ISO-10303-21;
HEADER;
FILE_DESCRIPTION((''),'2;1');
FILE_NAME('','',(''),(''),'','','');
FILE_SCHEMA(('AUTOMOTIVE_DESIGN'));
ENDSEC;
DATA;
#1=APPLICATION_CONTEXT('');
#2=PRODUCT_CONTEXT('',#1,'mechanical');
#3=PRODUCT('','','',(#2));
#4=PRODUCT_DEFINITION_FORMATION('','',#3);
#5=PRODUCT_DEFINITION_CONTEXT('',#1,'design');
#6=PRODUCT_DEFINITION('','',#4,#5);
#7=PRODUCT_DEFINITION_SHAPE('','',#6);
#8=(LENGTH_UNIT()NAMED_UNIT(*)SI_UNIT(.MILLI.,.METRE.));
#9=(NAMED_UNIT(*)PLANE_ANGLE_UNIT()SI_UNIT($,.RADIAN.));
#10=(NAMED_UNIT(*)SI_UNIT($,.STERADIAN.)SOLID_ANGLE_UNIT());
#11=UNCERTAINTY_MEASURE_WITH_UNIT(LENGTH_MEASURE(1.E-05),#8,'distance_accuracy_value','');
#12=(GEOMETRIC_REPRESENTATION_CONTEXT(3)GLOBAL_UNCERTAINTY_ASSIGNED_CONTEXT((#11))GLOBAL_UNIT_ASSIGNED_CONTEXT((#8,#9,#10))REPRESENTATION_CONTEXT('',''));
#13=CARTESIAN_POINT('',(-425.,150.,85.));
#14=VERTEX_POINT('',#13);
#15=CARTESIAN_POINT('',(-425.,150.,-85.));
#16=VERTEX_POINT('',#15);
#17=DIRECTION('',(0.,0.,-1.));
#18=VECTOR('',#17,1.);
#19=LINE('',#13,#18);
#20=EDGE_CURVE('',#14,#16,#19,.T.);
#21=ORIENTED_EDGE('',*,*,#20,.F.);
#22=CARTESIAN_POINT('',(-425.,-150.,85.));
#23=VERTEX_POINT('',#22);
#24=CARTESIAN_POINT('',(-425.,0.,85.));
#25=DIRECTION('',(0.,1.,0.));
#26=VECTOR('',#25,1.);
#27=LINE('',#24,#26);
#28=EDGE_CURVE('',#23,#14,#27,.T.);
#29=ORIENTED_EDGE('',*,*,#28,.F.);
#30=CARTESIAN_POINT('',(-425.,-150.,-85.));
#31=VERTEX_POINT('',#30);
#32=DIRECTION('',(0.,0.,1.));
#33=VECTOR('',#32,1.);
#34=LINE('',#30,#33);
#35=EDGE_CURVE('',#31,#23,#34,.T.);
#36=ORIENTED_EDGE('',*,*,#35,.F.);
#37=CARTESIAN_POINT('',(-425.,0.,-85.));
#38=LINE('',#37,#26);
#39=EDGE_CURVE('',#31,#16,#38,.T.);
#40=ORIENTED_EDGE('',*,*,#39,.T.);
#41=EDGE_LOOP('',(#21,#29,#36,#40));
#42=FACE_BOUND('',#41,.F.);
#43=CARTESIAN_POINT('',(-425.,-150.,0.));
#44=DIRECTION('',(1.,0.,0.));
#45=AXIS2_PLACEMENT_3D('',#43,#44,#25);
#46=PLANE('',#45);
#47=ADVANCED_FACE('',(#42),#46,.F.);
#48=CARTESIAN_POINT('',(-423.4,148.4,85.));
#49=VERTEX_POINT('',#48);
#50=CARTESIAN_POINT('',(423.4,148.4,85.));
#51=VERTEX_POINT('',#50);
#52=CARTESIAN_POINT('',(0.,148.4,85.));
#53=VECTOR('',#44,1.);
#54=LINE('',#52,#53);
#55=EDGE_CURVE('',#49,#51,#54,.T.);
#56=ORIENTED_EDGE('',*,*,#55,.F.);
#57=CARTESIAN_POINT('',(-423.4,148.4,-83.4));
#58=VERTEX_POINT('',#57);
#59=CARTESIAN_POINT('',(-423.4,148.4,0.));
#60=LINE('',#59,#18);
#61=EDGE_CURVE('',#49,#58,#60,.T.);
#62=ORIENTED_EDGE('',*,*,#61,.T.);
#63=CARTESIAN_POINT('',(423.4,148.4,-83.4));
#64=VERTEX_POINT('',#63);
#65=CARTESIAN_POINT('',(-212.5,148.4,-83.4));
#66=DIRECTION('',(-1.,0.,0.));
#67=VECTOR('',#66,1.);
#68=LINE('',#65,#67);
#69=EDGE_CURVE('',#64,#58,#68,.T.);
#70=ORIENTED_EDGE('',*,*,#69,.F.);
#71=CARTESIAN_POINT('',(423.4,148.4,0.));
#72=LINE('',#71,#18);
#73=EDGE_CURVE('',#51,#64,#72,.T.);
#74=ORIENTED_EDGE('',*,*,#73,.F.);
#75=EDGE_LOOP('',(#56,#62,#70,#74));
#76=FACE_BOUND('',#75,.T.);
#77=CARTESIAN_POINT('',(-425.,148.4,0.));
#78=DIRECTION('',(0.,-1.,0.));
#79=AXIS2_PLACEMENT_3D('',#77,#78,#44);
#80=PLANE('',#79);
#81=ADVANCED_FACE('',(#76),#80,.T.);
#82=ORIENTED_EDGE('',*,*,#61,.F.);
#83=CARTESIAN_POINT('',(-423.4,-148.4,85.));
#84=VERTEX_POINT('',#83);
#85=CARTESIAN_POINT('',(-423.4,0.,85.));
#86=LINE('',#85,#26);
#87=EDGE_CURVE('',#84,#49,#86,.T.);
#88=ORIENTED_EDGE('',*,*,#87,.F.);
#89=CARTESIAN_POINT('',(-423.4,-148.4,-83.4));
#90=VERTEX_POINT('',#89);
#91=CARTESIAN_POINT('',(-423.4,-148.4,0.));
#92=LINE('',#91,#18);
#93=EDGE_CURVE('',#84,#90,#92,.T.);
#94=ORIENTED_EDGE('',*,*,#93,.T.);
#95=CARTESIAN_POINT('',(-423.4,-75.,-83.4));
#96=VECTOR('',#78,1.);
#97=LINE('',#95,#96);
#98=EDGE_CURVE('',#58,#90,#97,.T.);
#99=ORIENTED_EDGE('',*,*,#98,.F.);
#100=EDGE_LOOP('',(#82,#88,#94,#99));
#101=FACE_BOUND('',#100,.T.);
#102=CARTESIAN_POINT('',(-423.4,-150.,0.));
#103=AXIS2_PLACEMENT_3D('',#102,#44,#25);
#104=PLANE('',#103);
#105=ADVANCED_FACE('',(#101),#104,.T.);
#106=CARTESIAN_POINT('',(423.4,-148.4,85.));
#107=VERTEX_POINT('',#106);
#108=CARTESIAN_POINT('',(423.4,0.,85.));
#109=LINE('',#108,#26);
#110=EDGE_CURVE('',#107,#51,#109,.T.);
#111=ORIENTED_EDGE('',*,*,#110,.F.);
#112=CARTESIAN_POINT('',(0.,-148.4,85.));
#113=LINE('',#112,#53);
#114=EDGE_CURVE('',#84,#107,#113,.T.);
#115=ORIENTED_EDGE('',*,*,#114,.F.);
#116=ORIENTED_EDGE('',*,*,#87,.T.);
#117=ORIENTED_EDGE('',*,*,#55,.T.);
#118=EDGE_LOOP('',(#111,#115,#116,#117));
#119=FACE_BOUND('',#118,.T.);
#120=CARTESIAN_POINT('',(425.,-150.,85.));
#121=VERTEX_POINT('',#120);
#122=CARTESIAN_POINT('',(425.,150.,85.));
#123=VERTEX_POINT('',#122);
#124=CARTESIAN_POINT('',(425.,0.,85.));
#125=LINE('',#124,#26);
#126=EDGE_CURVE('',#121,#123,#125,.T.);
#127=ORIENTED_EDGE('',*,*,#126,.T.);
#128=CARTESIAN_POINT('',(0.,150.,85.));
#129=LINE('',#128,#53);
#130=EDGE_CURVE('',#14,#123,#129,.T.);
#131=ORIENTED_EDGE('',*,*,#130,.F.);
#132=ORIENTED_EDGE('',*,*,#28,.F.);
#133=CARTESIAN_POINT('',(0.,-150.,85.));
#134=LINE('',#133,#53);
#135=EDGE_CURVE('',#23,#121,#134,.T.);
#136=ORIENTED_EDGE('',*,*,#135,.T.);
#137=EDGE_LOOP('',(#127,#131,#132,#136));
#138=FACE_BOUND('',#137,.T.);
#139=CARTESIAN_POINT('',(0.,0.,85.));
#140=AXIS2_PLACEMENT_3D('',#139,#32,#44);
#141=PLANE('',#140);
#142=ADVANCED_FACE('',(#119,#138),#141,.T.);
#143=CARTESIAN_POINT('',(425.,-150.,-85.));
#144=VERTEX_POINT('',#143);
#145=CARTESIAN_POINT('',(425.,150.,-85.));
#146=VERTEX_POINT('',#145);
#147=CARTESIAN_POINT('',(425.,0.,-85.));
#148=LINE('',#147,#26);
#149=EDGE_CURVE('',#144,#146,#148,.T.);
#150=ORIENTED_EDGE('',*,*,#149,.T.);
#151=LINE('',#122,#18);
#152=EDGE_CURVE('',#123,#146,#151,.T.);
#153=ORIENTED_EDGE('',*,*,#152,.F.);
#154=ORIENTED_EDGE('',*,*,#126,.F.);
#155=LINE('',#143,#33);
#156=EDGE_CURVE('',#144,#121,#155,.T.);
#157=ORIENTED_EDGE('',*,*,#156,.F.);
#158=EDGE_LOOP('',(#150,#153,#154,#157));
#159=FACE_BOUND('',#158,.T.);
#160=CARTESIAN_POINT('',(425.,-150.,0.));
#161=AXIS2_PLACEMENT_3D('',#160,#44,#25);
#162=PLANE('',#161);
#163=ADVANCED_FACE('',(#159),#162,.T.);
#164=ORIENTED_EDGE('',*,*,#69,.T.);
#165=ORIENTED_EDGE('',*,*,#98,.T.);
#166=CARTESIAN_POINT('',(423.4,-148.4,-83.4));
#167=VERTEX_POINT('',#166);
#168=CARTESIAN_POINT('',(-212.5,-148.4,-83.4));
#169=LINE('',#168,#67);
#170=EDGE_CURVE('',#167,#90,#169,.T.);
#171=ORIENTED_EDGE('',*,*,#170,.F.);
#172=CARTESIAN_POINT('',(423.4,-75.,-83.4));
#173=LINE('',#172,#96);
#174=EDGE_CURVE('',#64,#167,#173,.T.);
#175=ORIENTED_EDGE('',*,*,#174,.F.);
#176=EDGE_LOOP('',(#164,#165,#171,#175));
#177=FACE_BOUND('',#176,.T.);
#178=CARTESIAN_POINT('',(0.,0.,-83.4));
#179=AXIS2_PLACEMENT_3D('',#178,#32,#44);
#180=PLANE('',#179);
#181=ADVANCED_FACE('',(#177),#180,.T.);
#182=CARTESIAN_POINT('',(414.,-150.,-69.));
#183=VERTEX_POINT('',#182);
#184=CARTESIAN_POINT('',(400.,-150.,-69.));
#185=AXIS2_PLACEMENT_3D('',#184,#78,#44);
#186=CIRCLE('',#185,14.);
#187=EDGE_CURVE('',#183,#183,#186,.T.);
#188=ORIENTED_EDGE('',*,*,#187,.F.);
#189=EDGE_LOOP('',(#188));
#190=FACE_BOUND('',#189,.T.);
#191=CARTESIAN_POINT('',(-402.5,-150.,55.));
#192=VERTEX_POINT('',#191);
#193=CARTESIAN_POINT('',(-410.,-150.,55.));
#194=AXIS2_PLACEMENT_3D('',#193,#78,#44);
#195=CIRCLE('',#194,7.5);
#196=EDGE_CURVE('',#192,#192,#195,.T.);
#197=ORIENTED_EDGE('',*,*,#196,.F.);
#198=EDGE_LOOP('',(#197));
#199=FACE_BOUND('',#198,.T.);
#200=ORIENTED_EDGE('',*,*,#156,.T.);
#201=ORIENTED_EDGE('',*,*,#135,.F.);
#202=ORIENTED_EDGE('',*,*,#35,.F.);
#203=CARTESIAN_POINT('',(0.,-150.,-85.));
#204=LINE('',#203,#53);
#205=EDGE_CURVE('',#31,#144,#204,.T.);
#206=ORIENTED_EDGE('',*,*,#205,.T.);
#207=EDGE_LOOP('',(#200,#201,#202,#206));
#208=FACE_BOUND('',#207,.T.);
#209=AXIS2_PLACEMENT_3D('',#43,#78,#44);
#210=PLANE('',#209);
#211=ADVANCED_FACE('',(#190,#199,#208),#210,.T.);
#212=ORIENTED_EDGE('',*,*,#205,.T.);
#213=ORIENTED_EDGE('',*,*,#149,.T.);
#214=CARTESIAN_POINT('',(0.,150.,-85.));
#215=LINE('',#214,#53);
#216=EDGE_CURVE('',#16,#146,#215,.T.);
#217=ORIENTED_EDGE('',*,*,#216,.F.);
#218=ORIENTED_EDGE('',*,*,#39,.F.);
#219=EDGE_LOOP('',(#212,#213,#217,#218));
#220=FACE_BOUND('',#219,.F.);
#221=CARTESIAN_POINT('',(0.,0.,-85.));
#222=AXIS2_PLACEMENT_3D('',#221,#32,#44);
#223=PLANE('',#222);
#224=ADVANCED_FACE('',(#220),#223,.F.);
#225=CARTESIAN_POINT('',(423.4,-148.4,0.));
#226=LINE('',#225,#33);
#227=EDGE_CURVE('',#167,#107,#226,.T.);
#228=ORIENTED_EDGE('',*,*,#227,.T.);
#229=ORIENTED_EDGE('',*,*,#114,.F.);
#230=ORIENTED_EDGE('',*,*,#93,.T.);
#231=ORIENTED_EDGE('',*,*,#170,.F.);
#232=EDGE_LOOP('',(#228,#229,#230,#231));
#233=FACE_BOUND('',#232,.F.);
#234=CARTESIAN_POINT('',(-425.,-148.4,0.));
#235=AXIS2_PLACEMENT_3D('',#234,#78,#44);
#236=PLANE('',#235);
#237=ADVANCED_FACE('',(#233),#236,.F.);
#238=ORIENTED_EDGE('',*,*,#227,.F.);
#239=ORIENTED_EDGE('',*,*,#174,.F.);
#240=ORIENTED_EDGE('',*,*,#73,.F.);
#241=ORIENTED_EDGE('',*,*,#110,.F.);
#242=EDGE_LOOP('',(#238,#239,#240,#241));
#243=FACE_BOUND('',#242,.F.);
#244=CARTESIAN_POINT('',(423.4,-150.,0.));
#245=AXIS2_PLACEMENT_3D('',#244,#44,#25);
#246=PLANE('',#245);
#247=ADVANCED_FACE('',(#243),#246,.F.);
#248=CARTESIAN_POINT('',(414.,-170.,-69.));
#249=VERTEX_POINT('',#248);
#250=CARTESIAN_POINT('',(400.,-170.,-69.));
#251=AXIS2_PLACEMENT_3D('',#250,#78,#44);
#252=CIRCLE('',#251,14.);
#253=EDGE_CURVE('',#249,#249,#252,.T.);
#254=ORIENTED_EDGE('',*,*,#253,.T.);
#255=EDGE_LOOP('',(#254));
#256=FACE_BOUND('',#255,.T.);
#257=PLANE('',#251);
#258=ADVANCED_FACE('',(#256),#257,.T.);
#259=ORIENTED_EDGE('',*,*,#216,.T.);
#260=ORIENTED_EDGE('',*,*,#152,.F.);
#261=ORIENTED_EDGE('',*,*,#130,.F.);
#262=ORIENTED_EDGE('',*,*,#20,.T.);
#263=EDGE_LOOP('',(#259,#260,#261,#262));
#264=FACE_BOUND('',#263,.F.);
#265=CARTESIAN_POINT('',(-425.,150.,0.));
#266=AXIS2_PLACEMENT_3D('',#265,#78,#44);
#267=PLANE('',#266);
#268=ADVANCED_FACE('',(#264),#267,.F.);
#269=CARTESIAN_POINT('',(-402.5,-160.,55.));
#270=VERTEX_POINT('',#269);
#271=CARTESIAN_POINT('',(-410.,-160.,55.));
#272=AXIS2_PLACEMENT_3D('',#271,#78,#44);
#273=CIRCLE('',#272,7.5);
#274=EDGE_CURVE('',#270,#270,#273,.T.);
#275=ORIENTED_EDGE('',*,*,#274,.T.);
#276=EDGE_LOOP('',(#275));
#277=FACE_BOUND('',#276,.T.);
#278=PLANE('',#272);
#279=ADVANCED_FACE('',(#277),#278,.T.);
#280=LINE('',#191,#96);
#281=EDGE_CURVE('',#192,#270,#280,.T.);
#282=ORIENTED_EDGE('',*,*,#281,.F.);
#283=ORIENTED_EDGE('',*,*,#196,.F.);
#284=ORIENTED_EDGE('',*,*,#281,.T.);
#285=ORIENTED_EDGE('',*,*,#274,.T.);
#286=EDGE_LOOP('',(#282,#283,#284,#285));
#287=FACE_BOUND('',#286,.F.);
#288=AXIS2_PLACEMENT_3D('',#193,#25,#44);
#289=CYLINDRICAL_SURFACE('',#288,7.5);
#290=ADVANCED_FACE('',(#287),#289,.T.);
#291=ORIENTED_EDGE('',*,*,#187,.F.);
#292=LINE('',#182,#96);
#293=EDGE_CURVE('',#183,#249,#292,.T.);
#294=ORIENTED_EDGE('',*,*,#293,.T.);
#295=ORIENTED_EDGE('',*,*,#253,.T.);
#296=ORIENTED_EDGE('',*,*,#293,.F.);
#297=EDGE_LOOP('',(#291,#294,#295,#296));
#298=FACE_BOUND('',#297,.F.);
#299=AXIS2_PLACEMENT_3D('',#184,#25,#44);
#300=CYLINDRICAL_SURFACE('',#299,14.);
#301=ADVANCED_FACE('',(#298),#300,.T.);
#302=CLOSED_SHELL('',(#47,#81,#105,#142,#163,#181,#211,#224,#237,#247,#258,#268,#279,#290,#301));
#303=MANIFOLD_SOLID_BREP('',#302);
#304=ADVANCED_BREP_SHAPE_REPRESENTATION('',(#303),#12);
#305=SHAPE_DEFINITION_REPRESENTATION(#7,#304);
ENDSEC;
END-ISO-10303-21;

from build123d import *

# Parameters (mm, degrees)
F0_W          = 850
F0_H          = 300
F1_DEPTH      = 85
F1_DEPTH_BACK = 85
F2_T          = -1.6
F3_R          = 14
F4_DEPTH      = 20
F5_R          = 7.5
F6_DEPTH      = 10


with BuildPart() as f1:
    # F0 (on Top) → F1 (new body, two sides)
    with BuildSketch(Plane.XY) as f1_sk:
        Rectangle(F0_W, F0_H)
    extrude(amount=F1_DEPTH)
    extrude(f1_sk.sketch, amount=-F1_DEPTH_BACK)

    # F2
    f2_openings = [f1.faces().sort_by_distance(p)[0] for p in [
        (0, 0, 85),
    ]]
    offset(amount=F2_T, openings=f2_openings)

    # F3 (on face) → F4 (join)
    with BuildSketch(Plane.XZ.offset(150)):
        with Locations((400, -69)):
            Circle(F3_R)
    extrude(amount=F4_DEPTH)

    # F5 (on face) → F6 (join)
    with BuildSketch(Plane.XZ.offset(150)):
        with Locations((-410, 55)):
            Circle(F5_R)
    extrude(amount=F6_DEPTH)


solid = f1.part
